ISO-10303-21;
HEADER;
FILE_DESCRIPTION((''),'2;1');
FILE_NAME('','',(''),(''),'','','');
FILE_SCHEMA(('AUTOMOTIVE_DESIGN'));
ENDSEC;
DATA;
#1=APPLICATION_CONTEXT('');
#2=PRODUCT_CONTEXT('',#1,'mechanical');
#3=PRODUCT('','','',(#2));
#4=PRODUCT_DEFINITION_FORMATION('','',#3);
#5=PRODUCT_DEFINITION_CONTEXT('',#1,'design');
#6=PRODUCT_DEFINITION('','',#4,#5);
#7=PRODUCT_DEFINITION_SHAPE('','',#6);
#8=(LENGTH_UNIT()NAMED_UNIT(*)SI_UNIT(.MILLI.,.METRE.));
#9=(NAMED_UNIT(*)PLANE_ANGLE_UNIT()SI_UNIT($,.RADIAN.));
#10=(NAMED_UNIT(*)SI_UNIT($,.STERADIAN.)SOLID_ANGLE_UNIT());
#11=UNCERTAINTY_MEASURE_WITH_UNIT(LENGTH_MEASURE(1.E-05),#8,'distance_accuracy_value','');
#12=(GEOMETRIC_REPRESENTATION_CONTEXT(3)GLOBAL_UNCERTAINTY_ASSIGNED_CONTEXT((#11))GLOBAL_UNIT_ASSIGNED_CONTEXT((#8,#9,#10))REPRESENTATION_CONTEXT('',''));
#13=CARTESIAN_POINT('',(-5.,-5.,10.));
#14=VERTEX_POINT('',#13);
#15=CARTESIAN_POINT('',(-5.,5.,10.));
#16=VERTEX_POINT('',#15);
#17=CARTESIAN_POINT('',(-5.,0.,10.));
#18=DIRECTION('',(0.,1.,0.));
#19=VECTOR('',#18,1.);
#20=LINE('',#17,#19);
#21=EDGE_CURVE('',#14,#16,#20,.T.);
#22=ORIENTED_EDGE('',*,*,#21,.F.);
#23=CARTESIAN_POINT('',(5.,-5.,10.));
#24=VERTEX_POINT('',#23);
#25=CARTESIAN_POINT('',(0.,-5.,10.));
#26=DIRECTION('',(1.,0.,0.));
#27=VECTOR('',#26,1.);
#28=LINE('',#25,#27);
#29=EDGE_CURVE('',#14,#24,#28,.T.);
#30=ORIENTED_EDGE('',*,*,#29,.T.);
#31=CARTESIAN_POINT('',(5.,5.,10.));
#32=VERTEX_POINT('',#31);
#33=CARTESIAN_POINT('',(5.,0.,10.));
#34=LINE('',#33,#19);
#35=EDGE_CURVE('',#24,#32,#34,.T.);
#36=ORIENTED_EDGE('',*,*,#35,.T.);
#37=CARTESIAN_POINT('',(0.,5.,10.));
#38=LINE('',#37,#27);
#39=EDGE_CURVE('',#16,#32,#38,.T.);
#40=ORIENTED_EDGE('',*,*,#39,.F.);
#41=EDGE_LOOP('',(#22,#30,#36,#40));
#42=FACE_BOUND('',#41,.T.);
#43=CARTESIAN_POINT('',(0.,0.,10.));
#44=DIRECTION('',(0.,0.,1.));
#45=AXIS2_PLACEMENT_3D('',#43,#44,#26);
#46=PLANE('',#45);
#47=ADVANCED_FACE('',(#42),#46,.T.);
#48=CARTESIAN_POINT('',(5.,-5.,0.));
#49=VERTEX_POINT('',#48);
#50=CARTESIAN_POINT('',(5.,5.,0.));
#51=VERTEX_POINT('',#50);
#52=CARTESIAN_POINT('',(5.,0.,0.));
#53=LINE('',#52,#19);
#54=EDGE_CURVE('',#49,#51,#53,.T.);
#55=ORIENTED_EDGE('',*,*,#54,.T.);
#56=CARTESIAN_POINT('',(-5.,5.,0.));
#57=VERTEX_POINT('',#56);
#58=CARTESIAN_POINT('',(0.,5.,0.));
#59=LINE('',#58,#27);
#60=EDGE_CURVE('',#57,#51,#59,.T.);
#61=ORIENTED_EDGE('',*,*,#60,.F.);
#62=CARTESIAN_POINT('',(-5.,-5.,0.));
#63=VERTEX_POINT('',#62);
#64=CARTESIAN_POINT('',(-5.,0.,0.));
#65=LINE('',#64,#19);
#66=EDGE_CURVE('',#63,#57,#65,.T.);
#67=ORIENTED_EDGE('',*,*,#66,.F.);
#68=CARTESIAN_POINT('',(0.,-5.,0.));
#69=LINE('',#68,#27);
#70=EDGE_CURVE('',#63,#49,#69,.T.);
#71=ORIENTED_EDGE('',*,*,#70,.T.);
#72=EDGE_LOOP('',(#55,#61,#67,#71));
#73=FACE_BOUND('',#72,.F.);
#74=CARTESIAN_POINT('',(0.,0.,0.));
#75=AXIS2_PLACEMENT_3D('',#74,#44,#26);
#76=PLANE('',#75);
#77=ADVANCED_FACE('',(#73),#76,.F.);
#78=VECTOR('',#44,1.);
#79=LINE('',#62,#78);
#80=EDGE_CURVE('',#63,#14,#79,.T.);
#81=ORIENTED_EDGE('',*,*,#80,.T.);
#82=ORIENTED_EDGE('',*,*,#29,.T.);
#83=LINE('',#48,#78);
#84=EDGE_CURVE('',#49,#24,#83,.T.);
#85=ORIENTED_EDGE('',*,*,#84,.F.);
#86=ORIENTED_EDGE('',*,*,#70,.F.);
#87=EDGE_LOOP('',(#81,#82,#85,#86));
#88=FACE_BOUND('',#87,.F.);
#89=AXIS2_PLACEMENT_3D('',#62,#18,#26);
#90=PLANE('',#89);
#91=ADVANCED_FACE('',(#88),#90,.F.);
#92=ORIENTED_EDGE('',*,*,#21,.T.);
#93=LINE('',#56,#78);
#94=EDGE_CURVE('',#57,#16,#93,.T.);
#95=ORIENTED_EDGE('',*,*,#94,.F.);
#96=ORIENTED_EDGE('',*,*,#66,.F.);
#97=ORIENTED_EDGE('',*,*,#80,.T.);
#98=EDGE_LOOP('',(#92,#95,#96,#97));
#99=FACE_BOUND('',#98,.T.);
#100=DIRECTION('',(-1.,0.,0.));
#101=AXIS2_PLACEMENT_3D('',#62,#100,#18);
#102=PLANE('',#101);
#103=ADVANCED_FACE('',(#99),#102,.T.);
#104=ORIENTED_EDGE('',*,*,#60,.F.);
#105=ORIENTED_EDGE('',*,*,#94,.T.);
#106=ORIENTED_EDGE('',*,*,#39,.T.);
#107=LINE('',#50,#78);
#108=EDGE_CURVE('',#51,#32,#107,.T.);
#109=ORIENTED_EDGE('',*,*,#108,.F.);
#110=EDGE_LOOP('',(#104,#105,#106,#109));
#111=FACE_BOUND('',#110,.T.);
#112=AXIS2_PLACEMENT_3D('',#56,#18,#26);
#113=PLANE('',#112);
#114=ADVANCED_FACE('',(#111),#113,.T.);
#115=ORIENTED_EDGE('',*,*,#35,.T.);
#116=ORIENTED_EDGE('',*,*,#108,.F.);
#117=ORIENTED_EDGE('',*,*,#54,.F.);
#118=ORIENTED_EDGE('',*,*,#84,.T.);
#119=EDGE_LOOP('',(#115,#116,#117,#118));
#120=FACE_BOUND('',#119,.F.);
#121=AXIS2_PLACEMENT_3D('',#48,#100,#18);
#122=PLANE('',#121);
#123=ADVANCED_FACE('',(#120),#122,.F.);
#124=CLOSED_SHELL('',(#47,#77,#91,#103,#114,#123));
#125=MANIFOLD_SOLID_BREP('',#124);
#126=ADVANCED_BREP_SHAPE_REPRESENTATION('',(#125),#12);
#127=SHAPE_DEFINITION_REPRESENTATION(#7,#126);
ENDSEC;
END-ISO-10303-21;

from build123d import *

# Parameters (mm, degrees)
SKETCH1_W           = 10
SKETCH1_H           = 10
BOSS_EXTRUDE1_DEPTH = 10


with BuildPart() as part:
    # Sketch1 → Boss-Extrude1 (new body)
    with BuildSketch(Plane.XY):
        Rectangle(SKETCH1_W, SKETCH1_H)
    extrude(amount=BOSS_EXTRUDE1_DEPTH)


solid = part.part
